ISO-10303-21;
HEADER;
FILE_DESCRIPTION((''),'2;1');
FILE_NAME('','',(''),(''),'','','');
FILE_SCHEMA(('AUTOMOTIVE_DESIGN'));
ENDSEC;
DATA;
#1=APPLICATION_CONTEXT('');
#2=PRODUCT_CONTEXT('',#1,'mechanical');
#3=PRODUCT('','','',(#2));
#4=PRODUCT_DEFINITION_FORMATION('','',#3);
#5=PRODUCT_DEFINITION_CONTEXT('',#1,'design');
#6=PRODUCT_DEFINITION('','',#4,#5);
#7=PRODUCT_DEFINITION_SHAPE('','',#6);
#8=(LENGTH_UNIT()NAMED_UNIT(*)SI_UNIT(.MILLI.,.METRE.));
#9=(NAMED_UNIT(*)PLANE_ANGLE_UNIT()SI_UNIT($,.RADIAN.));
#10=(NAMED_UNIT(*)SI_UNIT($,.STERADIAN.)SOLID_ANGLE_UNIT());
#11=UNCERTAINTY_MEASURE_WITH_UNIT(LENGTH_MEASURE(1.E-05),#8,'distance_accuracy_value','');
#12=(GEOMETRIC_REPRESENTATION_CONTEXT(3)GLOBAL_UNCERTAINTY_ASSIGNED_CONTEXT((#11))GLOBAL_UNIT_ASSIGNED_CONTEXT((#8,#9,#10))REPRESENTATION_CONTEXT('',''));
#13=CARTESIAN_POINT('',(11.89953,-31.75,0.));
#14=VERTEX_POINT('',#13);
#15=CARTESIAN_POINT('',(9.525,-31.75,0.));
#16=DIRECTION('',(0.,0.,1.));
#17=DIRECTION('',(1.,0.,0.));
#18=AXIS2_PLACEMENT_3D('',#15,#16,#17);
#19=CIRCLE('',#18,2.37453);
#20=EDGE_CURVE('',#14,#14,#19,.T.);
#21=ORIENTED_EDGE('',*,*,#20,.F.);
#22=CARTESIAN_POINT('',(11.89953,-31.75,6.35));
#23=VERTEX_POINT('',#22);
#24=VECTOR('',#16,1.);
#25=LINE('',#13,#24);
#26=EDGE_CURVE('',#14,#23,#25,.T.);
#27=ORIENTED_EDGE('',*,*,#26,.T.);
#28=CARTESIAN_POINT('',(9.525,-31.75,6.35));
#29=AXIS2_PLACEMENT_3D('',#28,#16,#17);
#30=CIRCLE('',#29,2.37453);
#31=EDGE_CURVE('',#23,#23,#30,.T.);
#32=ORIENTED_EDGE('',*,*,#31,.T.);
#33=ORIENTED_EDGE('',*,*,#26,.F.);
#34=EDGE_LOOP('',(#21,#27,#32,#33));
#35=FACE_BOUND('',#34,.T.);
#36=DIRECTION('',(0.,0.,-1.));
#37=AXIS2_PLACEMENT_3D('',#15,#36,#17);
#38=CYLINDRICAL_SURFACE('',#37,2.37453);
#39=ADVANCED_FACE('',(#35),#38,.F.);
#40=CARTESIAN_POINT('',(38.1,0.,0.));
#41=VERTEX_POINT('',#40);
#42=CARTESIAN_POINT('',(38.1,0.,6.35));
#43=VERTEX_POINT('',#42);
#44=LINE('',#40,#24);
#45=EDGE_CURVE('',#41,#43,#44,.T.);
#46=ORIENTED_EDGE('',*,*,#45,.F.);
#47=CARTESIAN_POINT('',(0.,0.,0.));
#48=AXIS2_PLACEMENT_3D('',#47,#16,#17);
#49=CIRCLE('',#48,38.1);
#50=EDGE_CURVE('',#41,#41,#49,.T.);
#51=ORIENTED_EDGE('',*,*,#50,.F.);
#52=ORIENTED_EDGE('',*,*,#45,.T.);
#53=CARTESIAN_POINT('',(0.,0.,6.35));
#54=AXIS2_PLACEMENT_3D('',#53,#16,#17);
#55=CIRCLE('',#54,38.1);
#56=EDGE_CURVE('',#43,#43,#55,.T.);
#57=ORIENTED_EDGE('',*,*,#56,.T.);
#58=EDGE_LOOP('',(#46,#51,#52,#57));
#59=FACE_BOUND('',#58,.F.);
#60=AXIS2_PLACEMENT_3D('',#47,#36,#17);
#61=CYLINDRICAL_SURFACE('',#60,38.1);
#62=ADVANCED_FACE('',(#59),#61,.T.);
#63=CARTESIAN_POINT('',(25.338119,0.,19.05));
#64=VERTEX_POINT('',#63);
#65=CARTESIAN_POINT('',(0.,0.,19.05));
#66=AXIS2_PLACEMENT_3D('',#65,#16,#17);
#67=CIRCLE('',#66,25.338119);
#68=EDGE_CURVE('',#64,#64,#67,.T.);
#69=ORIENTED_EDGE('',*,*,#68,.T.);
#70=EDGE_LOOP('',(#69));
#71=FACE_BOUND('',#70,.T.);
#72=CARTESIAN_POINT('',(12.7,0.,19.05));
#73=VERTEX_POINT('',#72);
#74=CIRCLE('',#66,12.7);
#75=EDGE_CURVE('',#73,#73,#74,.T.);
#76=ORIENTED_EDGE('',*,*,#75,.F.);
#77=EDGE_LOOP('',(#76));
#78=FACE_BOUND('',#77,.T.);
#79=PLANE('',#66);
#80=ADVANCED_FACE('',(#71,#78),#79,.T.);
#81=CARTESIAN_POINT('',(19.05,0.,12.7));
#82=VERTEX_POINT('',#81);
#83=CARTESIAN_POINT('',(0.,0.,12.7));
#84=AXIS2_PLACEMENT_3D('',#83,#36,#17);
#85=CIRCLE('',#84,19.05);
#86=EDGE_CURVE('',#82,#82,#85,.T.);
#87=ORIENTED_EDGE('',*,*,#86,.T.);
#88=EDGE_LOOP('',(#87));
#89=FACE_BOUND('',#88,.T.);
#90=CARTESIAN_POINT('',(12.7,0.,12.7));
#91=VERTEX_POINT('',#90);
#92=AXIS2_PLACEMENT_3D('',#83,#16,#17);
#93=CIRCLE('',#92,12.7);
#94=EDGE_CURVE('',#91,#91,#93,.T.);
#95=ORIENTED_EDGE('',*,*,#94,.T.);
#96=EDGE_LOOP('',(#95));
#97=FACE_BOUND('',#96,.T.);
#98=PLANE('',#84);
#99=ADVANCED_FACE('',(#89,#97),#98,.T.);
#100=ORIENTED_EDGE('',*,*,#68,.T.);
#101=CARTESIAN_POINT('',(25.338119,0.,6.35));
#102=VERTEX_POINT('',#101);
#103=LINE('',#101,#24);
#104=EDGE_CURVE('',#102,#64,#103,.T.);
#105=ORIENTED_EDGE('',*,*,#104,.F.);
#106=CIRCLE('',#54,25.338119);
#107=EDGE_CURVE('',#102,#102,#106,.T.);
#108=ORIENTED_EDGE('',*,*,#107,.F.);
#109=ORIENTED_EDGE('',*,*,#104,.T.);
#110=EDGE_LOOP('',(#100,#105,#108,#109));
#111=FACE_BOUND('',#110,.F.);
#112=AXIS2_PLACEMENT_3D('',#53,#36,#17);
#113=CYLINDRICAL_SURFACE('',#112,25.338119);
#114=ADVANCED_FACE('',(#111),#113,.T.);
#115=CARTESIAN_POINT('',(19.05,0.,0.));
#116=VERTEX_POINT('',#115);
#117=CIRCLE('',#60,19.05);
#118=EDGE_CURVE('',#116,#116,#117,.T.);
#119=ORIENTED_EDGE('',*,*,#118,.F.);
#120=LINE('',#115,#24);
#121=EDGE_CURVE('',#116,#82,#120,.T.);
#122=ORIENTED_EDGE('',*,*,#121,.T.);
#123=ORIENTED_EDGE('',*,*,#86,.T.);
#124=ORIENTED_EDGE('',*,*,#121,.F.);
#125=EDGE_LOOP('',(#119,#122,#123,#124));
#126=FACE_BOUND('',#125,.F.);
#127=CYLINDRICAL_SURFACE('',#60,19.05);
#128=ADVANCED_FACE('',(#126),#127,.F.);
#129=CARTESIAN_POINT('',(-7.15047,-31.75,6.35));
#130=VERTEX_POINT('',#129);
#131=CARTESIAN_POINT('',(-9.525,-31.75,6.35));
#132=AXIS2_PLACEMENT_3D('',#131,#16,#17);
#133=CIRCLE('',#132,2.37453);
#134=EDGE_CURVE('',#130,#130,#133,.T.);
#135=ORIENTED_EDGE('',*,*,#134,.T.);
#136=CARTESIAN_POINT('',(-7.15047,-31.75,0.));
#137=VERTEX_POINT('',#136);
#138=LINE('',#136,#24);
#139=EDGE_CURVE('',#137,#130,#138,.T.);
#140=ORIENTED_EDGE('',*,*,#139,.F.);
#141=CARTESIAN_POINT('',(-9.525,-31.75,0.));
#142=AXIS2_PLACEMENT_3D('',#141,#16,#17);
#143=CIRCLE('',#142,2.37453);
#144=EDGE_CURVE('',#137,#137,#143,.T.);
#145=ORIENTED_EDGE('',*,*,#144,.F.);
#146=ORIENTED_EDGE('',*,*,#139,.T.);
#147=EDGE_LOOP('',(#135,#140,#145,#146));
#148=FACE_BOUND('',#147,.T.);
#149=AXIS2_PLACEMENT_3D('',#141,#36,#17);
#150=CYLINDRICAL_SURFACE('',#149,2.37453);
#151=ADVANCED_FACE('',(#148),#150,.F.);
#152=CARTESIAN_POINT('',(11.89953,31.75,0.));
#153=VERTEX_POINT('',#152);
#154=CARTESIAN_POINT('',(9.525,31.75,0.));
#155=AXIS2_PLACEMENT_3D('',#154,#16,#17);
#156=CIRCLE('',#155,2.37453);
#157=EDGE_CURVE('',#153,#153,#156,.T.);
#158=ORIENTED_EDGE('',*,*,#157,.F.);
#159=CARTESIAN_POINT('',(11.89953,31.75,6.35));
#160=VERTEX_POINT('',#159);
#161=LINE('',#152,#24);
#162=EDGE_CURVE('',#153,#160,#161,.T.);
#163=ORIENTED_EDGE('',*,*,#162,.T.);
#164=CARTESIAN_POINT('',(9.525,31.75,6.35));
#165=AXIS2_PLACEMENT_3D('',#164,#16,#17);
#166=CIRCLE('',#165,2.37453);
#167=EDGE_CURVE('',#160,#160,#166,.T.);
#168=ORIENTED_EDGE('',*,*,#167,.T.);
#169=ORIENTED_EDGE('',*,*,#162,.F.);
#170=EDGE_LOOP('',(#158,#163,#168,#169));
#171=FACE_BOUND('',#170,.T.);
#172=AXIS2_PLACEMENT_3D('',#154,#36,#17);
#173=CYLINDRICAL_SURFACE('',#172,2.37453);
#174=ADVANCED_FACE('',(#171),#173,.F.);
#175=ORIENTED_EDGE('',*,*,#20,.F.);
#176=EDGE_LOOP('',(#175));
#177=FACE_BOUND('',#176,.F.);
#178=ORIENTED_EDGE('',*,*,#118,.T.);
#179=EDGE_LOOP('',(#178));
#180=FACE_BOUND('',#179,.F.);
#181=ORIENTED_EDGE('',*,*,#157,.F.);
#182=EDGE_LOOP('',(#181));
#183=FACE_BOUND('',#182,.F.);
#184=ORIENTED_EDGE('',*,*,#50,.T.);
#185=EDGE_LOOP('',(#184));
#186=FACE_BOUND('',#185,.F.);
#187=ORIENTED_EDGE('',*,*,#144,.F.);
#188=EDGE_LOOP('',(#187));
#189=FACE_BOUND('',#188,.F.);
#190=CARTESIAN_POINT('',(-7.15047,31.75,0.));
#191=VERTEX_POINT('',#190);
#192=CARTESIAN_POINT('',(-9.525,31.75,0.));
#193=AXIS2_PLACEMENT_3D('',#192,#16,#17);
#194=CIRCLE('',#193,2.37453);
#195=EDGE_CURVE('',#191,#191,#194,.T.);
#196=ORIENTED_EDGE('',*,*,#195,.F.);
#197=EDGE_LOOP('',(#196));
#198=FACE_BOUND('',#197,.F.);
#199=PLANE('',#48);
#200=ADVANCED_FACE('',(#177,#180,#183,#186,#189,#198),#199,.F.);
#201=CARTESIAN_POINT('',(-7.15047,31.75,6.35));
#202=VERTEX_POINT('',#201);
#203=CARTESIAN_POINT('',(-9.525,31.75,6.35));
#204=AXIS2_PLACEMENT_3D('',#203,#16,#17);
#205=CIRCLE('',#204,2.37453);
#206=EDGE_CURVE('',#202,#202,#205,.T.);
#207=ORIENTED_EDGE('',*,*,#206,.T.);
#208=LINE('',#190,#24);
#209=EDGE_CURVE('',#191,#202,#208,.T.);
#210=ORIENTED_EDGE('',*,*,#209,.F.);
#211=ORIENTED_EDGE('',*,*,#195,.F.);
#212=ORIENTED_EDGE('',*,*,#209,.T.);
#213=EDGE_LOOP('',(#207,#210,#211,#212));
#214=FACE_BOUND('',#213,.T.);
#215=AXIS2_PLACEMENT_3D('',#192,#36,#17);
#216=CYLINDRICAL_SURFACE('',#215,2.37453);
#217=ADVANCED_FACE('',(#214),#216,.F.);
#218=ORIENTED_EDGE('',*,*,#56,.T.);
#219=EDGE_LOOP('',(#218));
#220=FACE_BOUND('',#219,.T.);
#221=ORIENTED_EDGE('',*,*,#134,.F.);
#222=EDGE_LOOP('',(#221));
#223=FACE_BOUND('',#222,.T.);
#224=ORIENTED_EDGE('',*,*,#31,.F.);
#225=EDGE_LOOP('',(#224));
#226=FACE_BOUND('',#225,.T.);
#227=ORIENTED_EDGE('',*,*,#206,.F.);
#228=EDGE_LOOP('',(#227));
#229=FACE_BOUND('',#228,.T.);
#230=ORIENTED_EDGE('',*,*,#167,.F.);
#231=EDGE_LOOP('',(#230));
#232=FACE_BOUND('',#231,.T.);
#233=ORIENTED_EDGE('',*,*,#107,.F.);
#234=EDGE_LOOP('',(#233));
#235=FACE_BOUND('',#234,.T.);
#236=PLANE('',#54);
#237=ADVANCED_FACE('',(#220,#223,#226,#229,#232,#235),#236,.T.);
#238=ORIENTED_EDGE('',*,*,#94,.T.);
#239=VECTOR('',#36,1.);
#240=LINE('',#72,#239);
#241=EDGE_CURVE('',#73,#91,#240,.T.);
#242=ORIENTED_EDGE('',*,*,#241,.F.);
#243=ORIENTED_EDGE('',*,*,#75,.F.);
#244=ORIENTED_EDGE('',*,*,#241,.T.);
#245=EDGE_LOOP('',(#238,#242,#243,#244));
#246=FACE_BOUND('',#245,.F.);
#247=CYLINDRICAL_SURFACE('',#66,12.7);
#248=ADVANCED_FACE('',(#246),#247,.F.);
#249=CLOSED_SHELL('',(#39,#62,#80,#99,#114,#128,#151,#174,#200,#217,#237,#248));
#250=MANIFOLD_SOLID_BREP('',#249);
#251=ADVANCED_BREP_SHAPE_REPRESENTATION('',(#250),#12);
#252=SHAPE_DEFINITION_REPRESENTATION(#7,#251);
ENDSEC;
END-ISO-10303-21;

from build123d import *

# Parameters (mm, degrees)
F0_R     = 38.1
F0_R_2   = 2.37453
F0_R_3   = 25.404017
F1_DEPTH = 6.35
F2_R     = 25.338119
F3_DEPTH = 12.7
F4_R     = 19.05
F5_DEPTH = 12.7
F6_R     = 12.7
F7_DEPTH = 25.4


with BuildPart() as f1:
    # F0 (on Top) → F1 (new body)
    with BuildSketch(Plane.XY):
        Circle(F0_R)
        with Locations((-9.525, -31.75)):
            Circle(F0_R_2, mode=Mode.SUBTRACT)
        with Locations((9.525, -31.75)):
            Circle(F0_R_2, mode=Mode.SUBTRACT)
        with Locations((-9.525, 31.75)):
            Circle(F0_R_2, mode=Mode.SUBTRACT)
        Circle(F0_R_3, mode=Mode.SUBTRACT)
        with Locations((9.525, 31.75)):
            Circle(F0_R_2, mode=Mode.SUBTRACT)
        Circle(F0_R_3)
    extrude(amount=F1_DEPTH)

    # F2 (on face) → F3 (join)
    with BuildSketch(Plane.XY.offset(6.35)):
        Circle(F2_R)
    extrude(amount=F3_DEPTH)

    # F4 (on face) → F5 (cut)
    with BuildSketch(Plane(origin=(0, 0, 0), x_dir=(1, 0, 0), z_dir=(0, 0, -1))):
        Circle(F4_R)
    extrude(amount=-F5_DEPTH, mode=Mode.SUBTRACT)

    # F6 (on face) → F7 (cut)
    with BuildSketch(Plane.XY.offset(19.05)):
        Circle(F6_R)
    extrude(amount=-F7_DEPTH, mode=Mode.SUBTRACT)


solid = f1.part
